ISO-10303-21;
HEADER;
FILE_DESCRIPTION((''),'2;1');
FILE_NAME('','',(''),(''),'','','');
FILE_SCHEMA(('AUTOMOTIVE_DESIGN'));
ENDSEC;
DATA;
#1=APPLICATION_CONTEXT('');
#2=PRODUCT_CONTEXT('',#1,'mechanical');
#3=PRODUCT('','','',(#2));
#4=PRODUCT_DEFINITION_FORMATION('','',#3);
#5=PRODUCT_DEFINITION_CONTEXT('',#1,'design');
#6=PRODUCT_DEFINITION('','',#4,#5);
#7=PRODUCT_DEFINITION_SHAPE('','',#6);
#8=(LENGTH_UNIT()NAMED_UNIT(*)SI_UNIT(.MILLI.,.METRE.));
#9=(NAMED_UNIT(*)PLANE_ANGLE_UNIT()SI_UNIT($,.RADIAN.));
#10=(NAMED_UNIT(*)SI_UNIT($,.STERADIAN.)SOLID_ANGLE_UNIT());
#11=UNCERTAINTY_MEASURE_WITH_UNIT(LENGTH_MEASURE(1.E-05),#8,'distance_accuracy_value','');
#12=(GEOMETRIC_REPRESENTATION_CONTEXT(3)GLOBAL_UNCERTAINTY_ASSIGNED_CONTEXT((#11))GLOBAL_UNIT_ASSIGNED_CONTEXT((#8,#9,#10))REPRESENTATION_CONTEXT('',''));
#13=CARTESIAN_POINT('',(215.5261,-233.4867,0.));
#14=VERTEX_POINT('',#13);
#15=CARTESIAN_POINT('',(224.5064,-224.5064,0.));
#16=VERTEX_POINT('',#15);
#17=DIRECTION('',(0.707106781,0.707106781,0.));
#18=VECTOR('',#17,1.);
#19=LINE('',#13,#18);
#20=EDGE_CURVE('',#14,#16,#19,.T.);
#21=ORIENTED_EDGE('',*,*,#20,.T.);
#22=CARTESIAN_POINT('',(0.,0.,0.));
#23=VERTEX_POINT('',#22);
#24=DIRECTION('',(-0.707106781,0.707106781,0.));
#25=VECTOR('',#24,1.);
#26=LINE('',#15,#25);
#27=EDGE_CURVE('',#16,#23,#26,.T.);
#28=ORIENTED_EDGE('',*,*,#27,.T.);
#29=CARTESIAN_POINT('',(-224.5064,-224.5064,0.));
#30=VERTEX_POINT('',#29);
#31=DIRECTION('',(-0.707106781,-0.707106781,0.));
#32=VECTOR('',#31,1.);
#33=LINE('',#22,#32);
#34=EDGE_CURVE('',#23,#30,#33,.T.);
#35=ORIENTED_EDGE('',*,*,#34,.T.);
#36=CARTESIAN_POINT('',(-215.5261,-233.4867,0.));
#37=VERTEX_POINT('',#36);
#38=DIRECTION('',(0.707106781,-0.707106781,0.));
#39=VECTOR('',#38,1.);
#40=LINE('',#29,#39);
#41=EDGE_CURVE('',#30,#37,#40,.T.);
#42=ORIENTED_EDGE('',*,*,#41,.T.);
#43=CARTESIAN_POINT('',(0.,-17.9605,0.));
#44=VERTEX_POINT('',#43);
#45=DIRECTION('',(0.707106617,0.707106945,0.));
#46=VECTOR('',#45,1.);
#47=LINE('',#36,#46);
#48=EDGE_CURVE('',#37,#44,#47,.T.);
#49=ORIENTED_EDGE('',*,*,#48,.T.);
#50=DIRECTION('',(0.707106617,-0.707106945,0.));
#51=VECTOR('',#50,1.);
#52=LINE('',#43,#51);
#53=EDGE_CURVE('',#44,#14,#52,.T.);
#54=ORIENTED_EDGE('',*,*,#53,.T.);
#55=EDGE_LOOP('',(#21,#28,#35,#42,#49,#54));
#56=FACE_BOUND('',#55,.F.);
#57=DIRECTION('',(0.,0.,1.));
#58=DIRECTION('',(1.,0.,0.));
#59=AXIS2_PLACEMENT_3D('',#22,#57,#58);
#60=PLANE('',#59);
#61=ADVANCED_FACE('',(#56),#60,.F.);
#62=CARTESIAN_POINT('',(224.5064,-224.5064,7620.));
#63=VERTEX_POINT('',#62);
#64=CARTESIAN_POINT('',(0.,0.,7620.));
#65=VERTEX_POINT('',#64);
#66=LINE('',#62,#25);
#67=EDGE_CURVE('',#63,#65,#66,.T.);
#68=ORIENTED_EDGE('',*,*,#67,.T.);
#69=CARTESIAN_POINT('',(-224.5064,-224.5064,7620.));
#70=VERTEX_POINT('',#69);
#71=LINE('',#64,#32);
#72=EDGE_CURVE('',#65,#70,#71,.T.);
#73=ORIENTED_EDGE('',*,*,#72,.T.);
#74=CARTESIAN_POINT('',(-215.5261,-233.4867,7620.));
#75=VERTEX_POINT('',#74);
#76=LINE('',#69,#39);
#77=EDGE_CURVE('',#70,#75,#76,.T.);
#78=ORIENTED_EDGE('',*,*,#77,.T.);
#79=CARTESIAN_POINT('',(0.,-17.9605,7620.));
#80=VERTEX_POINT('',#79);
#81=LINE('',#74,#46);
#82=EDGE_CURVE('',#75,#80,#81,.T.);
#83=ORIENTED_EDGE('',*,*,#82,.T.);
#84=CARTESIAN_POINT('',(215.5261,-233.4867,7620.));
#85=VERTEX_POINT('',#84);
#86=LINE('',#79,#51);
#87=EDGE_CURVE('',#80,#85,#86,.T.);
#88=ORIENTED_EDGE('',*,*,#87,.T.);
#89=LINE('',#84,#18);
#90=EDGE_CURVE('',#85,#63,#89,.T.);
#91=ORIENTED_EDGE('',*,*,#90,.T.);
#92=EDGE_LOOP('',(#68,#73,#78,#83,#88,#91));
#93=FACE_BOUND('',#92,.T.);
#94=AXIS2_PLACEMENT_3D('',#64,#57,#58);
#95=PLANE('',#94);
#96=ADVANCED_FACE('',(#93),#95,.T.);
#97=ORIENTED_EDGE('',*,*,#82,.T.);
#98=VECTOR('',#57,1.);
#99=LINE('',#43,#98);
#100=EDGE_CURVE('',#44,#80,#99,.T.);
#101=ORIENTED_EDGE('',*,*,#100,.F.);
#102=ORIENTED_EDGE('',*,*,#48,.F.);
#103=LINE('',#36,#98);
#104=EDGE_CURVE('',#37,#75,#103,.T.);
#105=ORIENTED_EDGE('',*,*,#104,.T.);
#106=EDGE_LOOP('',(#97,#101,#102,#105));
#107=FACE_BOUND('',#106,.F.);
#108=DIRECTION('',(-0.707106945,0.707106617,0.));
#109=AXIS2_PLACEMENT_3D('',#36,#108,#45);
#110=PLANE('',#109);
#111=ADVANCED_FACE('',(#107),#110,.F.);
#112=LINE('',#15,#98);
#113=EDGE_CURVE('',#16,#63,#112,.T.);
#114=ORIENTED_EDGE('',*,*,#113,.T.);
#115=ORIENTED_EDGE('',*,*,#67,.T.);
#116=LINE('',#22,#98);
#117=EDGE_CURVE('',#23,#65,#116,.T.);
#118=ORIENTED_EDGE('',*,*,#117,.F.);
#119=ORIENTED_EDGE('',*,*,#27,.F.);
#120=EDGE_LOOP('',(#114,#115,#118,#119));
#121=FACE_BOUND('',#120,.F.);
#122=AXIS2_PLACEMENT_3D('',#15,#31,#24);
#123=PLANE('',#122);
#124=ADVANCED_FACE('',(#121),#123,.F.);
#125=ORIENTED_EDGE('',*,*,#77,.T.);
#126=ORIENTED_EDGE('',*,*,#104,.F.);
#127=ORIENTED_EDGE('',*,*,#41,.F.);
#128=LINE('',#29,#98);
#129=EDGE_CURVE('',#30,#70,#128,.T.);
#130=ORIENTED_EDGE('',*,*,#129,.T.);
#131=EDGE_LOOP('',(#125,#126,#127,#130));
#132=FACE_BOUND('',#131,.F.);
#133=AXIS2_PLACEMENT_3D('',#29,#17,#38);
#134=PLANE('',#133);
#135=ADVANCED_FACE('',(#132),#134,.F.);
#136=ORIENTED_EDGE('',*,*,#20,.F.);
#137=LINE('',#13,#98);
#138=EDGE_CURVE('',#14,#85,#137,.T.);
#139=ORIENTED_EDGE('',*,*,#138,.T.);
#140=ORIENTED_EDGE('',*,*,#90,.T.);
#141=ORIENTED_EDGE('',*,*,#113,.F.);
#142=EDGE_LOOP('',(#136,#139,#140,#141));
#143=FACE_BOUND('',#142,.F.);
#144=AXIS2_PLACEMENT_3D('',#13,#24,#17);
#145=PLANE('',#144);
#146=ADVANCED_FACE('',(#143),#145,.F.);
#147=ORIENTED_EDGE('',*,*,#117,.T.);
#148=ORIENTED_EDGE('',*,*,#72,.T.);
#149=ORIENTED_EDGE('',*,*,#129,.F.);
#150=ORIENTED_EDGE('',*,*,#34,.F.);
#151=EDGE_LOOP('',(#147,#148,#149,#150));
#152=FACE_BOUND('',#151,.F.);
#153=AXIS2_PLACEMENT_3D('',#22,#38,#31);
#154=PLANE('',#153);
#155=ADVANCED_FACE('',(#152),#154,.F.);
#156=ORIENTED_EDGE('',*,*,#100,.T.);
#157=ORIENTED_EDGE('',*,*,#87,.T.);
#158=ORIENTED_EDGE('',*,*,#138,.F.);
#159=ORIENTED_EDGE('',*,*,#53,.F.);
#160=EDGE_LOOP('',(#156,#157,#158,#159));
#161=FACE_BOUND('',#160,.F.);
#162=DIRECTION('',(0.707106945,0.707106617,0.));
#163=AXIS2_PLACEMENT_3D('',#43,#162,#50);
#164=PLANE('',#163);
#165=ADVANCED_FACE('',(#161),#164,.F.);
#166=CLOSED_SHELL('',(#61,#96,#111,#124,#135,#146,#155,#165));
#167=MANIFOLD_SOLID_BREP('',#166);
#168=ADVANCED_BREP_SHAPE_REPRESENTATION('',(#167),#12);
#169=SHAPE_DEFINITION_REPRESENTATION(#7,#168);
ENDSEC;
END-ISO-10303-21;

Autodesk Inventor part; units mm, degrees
ref_plane "YZ Plane" through (0, 0, 0) normal (1, 0, 0) x (0, 1, 0)
ref_plane "XZ Plane" through (0, 0, 0) normal (0, 1, 0) x (-1, 0, 0)
ref_plane "XY Plane" through (0, 0, 0) normal (0, 0, 1) x (1, 0, 0)
sketch "Sketch1" plane through (0, 0, 0) normal (0, 0, 1) x (1, 0, 0)
  line L0 (0, 0) -> (-224.5064, -224.5064)
  line L1 (-224.5064, -224.5064) -> (-215.5261, -233.4867)
  line L2 (-215.5261, -233.4867) -> (0, -17.9605)
  line L3 (0, -17.9605) -> (215.5261, -233.4867)
  line L4 (215.5261, -233.4867) -> (224.5064, -224.5064)
  line L5 (224.5064, -224.5064) -> (0, 0)
  line L6 (215.5261, -233.4867) -> (-215.5261, -233.4867)
  dimension "d0" = 12.7
  dimension "d4" = 304.8
extrude "Extrusion1" add sketch "Sketch1" along normal blind 7620 contours L5 L4 L3 L2 L1 L0
properties part number "Shingles_On_Ridge_Vent" material "Steel"
